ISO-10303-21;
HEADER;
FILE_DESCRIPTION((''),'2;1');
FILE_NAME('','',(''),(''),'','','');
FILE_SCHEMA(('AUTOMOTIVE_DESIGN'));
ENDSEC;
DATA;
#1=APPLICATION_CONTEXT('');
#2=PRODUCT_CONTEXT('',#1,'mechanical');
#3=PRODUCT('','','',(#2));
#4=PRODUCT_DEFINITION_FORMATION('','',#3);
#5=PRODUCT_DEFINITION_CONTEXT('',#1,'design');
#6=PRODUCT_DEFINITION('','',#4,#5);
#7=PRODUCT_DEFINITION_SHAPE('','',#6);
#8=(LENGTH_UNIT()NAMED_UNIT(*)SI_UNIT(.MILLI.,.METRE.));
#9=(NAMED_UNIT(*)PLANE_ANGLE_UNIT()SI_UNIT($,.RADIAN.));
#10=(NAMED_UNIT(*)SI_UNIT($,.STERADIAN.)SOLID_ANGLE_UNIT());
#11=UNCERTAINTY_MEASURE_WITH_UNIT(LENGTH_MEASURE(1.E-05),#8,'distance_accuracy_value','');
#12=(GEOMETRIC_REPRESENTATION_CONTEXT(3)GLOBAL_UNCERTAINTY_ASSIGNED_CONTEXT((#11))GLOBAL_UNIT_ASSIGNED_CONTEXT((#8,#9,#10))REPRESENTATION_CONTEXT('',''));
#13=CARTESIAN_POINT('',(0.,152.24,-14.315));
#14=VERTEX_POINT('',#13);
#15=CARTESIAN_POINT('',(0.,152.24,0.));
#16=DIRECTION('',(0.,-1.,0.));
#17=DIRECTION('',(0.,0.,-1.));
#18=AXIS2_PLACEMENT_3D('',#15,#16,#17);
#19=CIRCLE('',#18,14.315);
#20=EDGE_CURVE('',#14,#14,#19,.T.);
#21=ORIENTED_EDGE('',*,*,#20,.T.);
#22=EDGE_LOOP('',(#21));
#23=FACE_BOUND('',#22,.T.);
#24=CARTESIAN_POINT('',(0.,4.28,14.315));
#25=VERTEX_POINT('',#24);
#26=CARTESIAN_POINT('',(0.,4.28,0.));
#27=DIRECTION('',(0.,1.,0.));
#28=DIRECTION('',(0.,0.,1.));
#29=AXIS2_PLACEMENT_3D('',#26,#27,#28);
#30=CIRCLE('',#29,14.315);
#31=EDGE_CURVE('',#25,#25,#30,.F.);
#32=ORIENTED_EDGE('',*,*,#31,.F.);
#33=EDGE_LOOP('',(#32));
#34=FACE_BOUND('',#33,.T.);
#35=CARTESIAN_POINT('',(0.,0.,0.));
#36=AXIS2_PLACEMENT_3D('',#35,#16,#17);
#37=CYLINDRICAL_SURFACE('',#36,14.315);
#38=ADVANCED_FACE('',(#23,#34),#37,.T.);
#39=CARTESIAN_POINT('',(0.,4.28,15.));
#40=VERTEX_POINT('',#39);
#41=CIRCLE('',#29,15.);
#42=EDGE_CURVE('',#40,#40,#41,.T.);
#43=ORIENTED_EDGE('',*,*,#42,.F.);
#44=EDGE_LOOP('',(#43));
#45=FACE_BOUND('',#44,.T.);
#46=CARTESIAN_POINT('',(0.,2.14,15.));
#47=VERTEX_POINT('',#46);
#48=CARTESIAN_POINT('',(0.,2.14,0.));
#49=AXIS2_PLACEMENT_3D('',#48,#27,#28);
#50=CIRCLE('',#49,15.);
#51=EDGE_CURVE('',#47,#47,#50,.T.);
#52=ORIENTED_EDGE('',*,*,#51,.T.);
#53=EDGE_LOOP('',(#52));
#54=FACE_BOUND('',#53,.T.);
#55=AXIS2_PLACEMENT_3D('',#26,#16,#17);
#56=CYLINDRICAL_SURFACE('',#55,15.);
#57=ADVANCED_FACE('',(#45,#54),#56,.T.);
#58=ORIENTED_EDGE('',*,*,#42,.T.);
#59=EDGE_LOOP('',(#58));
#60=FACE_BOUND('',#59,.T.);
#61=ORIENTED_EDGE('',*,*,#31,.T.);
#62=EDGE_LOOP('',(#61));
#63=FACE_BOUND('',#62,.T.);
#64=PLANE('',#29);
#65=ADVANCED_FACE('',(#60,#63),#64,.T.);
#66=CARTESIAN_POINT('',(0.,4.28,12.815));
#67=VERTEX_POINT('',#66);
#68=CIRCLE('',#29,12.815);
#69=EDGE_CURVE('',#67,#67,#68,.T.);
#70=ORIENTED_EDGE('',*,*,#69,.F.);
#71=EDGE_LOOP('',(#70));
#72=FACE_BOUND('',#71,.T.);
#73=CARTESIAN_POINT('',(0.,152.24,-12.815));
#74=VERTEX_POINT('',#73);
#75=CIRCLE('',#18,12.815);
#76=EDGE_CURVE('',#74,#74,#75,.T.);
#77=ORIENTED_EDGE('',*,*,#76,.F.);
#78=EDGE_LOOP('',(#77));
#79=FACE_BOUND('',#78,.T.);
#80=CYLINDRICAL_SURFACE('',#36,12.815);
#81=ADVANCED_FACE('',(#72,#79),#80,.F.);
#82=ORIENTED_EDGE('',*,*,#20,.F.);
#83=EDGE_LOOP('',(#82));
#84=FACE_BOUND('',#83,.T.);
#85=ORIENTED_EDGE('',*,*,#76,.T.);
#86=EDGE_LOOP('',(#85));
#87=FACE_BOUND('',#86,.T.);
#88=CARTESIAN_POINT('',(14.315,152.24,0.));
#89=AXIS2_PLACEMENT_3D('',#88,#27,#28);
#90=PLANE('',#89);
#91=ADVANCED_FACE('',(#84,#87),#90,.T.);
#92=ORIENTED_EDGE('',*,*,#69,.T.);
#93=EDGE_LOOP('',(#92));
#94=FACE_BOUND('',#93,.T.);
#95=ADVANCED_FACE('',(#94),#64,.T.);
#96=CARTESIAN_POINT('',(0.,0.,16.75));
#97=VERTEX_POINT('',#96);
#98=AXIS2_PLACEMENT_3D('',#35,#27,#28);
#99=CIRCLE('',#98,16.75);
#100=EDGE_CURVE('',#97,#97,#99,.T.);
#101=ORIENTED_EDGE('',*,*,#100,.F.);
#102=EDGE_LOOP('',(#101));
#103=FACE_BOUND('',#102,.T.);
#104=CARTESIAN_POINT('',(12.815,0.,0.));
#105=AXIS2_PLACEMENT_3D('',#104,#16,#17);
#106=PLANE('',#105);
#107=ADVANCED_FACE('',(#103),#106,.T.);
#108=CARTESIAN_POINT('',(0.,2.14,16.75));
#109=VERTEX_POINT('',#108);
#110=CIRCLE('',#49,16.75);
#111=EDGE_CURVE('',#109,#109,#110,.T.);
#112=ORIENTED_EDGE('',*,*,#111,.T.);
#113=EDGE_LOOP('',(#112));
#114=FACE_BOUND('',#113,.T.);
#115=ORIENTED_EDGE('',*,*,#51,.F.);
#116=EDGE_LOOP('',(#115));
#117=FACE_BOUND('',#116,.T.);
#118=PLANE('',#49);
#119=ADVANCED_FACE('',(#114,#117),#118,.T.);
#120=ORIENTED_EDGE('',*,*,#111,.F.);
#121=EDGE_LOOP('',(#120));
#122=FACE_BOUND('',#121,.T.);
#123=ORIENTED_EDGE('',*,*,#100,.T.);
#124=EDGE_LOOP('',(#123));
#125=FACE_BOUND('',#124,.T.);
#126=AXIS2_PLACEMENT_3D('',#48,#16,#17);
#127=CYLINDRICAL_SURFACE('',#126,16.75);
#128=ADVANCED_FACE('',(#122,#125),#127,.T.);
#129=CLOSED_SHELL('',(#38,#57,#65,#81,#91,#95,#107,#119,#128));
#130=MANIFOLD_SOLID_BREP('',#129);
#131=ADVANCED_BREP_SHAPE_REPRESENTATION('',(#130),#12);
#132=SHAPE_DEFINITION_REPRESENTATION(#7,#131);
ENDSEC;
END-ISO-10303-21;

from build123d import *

# Parameters (mm, degrees)
SKETCH1_W           = 1.5
SKETCH1_H           = 152.24
SKETCH2_R           = 16.75
BOSS_EXTRUDE1_DEPTH = 2.14
SKETCH4_R           = 15
BOSS_EXTRUDE2_DEPTH = 2.14


with BuildPart() as part:
    # Sketch1 → Revolve1 (revolve)
    with BuildSketch(Plane.XY):
        with Locations((13.565, 76.12)):
            Rectangle(SKETCH1_W, SKETCH1_H)
    revolve(axis=Axis((0, 0, 0), (0, 1, 0)))

    # Sketch2 → Boss-Extrude1 (add)
    with BuildSketch(Plane(origin=(0, 0, 0), x_dir=(1, 0, 0), z_dir=(0, 1, 0))):
        Circle(SKETCH2_R)
    extrude(amount=BOSS_EXTRUDE1_DEPTH)

    # Sketch4 → Boss-Extrude2 (add)
    with BuildSketch(Plane(origin=(0, 2.14, 0), x_dir=(1, 0, 0), z_dir=(0, 1, 0))):
        Circle(SKETCH4_R)
    extrude(amount=BOSS_EXTRUDE2_DEPTH)


solid = part.part
